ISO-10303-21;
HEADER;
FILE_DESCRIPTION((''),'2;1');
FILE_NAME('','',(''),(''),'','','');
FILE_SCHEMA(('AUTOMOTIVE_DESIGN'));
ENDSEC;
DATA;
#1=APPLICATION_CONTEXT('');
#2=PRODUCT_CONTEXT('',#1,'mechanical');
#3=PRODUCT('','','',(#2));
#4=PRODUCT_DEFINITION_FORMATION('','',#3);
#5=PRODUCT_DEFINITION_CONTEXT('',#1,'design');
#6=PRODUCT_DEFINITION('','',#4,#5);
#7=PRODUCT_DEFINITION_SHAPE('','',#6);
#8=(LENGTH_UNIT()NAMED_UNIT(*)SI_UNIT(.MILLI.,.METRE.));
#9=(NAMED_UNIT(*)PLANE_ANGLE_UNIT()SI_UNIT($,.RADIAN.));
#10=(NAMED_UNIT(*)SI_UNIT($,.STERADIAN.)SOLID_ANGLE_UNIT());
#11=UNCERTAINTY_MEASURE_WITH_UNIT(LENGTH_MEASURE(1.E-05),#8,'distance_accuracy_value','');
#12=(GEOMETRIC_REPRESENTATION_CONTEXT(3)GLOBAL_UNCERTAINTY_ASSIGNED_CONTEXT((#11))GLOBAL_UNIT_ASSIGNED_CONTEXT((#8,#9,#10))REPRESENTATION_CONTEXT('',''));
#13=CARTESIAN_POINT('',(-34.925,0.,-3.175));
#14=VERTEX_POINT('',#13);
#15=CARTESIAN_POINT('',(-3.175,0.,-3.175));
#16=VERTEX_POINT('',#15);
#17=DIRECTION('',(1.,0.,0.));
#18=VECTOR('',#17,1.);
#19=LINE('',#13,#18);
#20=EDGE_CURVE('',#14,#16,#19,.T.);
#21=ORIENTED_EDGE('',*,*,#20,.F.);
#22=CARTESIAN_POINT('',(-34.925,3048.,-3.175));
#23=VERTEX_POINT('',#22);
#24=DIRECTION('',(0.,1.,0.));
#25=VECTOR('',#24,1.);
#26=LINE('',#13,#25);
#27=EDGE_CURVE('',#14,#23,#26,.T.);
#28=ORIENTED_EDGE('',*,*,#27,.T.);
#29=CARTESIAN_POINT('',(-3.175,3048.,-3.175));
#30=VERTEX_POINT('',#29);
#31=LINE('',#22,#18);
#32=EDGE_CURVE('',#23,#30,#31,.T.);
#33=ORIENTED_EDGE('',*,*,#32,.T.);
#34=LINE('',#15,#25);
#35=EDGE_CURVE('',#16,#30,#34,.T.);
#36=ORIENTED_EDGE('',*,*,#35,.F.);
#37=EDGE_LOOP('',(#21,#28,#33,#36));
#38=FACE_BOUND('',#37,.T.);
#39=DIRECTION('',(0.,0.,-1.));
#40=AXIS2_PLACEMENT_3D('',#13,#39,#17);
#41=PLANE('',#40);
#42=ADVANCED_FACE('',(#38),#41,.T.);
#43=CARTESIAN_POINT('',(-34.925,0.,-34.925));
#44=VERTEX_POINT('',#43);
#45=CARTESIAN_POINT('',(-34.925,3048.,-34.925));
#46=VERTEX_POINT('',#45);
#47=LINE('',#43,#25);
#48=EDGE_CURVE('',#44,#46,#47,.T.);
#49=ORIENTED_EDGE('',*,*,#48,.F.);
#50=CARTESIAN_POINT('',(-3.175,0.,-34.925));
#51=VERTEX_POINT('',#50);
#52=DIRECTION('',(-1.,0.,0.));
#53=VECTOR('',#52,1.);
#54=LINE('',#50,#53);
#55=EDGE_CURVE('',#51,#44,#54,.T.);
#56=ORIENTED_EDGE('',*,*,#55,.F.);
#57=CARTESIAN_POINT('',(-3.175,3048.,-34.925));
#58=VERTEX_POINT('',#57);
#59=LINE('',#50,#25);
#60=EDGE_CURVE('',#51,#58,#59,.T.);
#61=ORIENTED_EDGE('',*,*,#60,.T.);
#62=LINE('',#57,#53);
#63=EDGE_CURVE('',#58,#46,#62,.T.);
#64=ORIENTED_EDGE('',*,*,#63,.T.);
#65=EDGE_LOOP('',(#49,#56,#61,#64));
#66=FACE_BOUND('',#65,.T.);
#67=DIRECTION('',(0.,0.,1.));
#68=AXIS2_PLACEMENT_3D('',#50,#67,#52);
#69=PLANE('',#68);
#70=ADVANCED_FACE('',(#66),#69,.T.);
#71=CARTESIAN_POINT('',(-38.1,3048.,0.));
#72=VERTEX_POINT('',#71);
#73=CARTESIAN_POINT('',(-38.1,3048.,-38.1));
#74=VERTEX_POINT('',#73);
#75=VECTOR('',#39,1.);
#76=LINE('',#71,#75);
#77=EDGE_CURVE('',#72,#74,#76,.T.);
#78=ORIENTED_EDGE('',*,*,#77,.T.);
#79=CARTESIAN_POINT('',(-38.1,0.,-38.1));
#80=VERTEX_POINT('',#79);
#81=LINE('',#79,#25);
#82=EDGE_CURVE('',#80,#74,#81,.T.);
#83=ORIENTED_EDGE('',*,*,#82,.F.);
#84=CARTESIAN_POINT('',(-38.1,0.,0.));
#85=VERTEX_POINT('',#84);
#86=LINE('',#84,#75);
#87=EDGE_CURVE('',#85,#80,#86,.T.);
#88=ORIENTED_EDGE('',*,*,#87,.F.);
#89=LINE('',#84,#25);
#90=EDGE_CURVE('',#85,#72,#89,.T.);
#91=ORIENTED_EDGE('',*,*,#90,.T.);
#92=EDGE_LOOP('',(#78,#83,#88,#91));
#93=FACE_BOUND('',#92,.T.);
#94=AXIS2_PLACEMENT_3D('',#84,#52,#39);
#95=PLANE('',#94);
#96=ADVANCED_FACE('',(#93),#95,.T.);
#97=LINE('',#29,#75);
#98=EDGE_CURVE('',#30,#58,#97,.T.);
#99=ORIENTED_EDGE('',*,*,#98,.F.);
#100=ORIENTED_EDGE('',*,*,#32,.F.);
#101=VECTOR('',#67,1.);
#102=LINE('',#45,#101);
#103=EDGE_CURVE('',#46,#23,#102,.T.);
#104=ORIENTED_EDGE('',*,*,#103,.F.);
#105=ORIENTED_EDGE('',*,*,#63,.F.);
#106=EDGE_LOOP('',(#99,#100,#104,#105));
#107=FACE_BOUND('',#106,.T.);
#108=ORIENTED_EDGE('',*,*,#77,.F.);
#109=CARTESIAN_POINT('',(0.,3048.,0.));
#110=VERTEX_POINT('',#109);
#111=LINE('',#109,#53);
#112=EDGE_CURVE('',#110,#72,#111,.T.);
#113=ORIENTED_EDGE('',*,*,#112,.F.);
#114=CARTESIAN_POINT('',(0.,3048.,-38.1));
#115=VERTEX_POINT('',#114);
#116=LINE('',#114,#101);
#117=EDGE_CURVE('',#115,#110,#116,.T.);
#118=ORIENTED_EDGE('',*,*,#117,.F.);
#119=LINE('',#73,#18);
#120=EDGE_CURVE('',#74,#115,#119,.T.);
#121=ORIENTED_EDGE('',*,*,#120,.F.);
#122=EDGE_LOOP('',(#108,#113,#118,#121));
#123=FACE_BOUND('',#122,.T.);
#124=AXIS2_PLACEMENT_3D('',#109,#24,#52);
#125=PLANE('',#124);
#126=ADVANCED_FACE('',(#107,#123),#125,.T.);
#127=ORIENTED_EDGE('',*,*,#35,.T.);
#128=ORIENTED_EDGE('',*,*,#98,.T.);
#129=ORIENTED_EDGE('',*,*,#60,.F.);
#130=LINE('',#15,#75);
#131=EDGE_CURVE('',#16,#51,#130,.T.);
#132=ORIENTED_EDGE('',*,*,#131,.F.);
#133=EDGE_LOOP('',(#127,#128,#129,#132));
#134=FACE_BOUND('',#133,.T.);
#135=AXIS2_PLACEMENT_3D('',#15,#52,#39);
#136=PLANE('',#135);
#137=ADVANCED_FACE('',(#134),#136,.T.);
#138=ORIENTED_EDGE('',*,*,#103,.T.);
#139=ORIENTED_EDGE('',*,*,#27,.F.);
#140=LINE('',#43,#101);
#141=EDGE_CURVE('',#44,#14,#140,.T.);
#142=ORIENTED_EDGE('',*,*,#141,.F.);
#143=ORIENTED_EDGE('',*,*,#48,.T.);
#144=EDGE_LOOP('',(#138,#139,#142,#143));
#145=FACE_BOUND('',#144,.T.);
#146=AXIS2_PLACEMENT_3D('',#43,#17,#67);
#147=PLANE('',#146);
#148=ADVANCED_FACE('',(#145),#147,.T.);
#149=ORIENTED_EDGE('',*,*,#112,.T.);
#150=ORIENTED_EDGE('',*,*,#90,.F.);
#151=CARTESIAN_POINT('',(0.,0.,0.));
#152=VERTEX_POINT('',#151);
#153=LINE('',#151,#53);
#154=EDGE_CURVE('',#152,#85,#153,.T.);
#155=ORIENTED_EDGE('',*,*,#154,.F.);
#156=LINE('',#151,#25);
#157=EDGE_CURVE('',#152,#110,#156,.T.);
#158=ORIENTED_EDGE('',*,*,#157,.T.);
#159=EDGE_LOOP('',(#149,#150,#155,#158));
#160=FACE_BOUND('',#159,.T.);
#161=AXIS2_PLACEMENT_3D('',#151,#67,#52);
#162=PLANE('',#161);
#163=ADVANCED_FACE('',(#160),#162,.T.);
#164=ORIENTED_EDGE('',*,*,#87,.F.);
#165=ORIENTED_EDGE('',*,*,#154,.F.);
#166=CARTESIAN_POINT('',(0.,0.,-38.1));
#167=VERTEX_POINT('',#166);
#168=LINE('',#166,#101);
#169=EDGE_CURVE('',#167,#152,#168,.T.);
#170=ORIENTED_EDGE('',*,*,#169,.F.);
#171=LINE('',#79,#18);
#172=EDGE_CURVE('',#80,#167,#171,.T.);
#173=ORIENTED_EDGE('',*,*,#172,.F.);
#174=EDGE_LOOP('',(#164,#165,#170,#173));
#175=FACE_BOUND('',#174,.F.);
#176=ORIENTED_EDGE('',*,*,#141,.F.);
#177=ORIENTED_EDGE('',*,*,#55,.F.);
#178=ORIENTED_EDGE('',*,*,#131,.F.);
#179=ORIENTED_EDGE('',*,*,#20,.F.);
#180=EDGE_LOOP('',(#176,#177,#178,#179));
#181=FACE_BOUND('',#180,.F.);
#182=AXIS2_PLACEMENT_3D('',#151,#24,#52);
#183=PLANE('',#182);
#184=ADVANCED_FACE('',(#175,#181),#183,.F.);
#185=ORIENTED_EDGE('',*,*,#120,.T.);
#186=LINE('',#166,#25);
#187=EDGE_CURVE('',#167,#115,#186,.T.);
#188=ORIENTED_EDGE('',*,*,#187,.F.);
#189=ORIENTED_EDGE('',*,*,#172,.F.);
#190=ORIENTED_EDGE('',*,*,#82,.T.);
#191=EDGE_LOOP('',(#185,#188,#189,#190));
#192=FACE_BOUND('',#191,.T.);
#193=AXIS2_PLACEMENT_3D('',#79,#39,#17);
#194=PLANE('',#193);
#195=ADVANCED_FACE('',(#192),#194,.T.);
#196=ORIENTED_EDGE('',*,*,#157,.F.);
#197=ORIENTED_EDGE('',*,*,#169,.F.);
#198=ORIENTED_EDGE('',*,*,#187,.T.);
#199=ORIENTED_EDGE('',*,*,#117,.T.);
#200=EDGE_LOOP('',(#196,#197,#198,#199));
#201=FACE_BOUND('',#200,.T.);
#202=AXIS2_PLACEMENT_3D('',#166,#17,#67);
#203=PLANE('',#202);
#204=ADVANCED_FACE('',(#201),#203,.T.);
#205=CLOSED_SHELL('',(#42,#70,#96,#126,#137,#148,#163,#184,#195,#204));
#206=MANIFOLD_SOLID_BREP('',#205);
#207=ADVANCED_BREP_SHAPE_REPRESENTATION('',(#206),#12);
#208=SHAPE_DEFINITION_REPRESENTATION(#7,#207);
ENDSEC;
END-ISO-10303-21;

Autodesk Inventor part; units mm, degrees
ref_plane "YZ Plane" through (0, 0, 0) normal (1, 0, 0) x (0, 1, 0)
ref_plane "XZ Plane" through (0, 0, 0) normal (0, 1, 0) x (-1, 0, 0)
ref_plane "XY Plane" through (0, 0, 0) normal (0, 0, 1) x (1, 0, 0)
sketch "Sketch1" plane through (0, 0, 0) normal (0, 1, 0) x (-1, 0, 0)
  line L0 (0, 0) -> (38.1, 0)
  line L1 (38.1, 0) -> (38.1, -38.1)
  line L2 (38.1, -38.1) -> (0, -38.1)
  line L3 (0, -38.1) -> (0, 0)
  line L4 (34.925, -34.925) -> (34.925, -3.175)
  line L5 (34.925, -3.175) -> (3.175, -3.175)
  line L6 (3.175, -3.175) -> (3.175, -34.925)
  line L7 (3.175, -34.925) -> (34.925, -34.925)
  dimension "d0" = 38.1
  dimension "d1" = 38.1
  dimension "d2" = 3.175
extrude "Extrusion1" add sketch "Sketch1" along normal blind 3048
properties part number "TopBar-ver3-1111-2021" material "Aluminum 6061"
